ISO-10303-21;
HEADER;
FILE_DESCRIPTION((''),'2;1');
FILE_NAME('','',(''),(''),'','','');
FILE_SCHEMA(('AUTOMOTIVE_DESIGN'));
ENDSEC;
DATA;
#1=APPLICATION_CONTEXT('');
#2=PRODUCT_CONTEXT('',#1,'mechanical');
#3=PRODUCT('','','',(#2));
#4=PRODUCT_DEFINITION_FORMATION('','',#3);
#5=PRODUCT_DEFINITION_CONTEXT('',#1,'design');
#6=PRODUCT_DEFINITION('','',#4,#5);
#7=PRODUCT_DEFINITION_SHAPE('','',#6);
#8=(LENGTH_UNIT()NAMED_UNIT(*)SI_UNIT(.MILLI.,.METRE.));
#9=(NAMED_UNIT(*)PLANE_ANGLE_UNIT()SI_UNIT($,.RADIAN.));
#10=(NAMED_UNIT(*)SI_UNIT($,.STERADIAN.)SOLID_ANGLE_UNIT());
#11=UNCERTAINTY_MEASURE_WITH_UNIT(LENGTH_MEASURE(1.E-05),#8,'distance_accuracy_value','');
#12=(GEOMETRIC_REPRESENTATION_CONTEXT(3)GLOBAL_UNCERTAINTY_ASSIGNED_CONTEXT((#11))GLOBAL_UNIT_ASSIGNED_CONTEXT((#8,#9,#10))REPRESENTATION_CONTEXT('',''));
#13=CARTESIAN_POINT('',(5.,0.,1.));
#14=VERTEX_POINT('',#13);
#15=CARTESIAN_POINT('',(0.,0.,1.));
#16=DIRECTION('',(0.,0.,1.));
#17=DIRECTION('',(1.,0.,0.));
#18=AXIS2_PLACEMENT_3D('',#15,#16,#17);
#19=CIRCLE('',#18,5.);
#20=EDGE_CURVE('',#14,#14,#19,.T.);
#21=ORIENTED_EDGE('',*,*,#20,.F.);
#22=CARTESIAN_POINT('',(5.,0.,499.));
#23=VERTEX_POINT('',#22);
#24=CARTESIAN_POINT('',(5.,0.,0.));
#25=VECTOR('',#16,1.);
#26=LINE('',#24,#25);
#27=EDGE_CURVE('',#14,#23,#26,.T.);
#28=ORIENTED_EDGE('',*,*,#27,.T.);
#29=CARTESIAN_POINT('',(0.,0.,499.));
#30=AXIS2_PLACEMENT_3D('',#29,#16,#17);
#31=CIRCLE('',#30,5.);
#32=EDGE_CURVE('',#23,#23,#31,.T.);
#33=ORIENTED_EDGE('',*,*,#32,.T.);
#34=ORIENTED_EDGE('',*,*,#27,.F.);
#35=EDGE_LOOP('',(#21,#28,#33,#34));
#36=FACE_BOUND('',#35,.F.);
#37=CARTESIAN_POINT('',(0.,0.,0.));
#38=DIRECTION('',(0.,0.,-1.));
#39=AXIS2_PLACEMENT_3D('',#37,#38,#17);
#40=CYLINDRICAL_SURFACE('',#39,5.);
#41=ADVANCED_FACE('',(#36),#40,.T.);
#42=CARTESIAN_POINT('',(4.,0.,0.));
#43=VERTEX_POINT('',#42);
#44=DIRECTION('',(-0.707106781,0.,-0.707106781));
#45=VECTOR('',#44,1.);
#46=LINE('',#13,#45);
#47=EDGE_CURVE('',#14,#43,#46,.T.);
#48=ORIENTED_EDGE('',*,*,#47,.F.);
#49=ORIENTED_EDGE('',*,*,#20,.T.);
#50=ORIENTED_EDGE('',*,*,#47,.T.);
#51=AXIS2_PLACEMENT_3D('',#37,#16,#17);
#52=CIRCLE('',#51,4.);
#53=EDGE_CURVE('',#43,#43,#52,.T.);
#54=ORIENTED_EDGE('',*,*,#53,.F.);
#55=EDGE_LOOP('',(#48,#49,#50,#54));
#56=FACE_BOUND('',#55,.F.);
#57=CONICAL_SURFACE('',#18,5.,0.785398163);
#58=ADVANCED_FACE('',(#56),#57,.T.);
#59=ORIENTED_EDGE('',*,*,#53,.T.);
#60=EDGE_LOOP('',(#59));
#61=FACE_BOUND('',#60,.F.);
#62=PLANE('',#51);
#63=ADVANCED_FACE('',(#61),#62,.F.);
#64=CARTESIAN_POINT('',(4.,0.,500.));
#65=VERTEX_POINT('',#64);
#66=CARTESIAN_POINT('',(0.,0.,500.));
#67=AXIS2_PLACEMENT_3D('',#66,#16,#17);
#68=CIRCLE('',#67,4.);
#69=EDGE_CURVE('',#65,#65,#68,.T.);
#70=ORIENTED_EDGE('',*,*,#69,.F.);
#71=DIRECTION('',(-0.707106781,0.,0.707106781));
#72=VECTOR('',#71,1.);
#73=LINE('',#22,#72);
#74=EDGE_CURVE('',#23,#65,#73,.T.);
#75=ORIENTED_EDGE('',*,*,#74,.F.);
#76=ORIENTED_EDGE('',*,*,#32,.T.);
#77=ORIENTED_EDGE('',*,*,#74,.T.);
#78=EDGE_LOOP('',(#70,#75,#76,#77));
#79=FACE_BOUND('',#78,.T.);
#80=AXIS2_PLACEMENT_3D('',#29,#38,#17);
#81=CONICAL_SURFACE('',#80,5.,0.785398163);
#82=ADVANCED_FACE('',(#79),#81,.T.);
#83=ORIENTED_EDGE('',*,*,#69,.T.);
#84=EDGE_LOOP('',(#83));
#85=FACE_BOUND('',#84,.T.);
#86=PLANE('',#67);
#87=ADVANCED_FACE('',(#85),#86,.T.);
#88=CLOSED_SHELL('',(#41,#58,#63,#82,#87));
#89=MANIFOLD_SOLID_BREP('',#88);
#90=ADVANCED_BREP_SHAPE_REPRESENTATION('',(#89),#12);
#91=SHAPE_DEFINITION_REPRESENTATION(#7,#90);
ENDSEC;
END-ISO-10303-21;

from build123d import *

# Parameters (mm, degrees)
SKETCH_R     = 5
PAD_DEPTH    = 500
CHAMFER_SIZE = 1


with BuildPart() as part:
    # Sketch → Pad (new body)
    with BuildSketch(Plane.XY):
        Circle(SKETCH_R)
    extrude(amount=PAD_DEPTH)

    # Chamfer
    chamfer_edges = [part.edges().sort_by_distance(p)[0] for p in [
        (-5, 0, 500),
        (-5, 0, 0),
    ]]
    chamfer(chamfer_edges, length=CHAMFER_SIZE)


solid = part.part
